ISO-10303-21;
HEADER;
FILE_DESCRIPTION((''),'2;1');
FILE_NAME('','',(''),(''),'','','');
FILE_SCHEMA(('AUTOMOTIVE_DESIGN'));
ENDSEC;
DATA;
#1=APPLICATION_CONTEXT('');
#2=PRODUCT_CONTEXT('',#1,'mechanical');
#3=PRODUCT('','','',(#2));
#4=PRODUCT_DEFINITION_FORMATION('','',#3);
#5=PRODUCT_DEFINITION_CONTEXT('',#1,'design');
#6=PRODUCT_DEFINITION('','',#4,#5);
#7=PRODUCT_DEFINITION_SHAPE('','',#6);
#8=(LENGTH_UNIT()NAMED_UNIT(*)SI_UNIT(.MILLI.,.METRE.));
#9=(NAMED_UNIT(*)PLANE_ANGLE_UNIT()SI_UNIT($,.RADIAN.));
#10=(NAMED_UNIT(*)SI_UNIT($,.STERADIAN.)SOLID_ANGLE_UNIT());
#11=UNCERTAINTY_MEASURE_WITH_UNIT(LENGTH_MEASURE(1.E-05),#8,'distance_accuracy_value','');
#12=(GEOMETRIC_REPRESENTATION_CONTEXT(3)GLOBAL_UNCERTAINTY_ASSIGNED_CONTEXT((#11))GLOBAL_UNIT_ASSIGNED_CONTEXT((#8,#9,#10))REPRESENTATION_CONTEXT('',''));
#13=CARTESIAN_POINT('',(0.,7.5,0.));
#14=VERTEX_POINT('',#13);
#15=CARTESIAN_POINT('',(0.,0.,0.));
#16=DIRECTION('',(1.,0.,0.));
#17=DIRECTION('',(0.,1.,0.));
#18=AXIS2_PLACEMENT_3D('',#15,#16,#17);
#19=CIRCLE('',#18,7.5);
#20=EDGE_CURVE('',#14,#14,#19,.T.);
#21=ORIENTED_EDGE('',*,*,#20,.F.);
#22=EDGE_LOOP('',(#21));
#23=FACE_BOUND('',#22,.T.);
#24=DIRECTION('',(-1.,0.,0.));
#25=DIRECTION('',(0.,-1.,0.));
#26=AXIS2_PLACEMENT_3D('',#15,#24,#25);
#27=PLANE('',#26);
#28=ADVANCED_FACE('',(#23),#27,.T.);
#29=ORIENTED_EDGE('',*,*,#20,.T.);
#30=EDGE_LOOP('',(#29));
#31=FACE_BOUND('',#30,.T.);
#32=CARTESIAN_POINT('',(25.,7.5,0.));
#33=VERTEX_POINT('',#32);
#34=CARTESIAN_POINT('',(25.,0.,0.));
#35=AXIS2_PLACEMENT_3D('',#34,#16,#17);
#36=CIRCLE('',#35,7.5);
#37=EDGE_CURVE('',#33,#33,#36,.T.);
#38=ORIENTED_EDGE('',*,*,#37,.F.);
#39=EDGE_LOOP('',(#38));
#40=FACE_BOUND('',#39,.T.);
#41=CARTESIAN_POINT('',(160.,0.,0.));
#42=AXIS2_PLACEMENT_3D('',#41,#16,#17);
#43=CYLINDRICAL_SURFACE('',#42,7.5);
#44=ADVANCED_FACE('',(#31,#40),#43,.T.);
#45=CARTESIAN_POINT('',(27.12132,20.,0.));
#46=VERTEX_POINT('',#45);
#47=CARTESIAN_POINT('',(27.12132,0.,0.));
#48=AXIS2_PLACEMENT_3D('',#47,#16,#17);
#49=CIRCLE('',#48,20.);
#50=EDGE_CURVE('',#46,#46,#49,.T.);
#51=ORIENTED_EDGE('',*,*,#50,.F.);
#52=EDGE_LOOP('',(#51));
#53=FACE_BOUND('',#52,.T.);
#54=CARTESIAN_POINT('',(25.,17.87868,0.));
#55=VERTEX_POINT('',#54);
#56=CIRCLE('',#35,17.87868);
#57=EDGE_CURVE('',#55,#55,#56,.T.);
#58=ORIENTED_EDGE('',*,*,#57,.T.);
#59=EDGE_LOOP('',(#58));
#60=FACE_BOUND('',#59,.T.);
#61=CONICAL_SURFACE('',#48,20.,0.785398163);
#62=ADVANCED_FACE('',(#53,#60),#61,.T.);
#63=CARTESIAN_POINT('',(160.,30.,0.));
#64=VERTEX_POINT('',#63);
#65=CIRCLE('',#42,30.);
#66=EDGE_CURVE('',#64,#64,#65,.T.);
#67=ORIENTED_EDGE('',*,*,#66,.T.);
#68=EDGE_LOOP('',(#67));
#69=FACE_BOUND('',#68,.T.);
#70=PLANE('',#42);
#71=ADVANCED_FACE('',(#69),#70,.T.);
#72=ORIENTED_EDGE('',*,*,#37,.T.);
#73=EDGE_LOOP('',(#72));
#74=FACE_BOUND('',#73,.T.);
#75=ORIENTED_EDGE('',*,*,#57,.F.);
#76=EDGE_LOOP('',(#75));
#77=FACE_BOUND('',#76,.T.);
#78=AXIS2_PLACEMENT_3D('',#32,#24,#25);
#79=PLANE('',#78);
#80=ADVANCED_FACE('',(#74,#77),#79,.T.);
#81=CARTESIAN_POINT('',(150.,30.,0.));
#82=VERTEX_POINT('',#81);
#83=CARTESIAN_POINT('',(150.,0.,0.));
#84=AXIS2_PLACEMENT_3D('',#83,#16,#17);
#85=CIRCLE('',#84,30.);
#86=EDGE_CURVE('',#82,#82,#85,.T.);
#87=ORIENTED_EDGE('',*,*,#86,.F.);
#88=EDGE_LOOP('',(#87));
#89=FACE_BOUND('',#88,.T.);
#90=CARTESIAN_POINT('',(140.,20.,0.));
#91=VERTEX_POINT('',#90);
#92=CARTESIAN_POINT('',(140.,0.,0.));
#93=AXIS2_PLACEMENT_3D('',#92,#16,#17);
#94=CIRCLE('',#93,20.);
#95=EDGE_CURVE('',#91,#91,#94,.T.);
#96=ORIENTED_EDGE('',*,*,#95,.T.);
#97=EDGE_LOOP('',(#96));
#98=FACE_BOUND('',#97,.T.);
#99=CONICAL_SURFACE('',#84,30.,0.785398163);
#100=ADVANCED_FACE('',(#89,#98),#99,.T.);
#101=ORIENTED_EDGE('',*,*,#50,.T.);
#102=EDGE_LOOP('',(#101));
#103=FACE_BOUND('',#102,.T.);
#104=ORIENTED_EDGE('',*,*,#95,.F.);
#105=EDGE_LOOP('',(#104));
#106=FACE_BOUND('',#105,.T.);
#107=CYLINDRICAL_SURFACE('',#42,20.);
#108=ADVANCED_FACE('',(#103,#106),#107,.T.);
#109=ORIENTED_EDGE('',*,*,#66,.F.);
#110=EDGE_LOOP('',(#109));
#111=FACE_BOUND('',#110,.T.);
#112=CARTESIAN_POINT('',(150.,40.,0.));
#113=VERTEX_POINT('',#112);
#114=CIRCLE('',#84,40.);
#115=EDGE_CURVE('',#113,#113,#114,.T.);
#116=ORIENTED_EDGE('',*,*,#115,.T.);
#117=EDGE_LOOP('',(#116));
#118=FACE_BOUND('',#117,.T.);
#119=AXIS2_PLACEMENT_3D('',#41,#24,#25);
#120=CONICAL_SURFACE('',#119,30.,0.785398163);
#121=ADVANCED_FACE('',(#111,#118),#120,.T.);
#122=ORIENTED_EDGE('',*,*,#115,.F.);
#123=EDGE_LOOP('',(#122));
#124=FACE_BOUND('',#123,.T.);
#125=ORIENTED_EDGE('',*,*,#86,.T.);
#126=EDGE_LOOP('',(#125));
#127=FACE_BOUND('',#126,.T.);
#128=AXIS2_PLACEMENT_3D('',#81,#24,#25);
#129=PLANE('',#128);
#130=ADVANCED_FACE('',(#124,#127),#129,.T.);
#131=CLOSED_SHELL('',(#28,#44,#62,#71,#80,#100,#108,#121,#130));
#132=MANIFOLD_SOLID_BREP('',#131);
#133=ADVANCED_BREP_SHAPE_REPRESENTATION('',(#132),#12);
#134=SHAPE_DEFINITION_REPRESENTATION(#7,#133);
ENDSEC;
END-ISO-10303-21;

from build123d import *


with BuildPart() as part:
    # Croquis1 → Revolución1 (revolve)
    with BuildSketch(Plane.XY):
        Polygon((0, 0), (0, 7.5), (25, 7.5), (25, 17.878679656), (27.121320344, 20), (140, 20), (150, 30), (150, 40), (160, 30), (160, 0), align=None)
    revolve(axis=Axis((160, 0, 0), (-1, 0, 0)))


solid = part.part
